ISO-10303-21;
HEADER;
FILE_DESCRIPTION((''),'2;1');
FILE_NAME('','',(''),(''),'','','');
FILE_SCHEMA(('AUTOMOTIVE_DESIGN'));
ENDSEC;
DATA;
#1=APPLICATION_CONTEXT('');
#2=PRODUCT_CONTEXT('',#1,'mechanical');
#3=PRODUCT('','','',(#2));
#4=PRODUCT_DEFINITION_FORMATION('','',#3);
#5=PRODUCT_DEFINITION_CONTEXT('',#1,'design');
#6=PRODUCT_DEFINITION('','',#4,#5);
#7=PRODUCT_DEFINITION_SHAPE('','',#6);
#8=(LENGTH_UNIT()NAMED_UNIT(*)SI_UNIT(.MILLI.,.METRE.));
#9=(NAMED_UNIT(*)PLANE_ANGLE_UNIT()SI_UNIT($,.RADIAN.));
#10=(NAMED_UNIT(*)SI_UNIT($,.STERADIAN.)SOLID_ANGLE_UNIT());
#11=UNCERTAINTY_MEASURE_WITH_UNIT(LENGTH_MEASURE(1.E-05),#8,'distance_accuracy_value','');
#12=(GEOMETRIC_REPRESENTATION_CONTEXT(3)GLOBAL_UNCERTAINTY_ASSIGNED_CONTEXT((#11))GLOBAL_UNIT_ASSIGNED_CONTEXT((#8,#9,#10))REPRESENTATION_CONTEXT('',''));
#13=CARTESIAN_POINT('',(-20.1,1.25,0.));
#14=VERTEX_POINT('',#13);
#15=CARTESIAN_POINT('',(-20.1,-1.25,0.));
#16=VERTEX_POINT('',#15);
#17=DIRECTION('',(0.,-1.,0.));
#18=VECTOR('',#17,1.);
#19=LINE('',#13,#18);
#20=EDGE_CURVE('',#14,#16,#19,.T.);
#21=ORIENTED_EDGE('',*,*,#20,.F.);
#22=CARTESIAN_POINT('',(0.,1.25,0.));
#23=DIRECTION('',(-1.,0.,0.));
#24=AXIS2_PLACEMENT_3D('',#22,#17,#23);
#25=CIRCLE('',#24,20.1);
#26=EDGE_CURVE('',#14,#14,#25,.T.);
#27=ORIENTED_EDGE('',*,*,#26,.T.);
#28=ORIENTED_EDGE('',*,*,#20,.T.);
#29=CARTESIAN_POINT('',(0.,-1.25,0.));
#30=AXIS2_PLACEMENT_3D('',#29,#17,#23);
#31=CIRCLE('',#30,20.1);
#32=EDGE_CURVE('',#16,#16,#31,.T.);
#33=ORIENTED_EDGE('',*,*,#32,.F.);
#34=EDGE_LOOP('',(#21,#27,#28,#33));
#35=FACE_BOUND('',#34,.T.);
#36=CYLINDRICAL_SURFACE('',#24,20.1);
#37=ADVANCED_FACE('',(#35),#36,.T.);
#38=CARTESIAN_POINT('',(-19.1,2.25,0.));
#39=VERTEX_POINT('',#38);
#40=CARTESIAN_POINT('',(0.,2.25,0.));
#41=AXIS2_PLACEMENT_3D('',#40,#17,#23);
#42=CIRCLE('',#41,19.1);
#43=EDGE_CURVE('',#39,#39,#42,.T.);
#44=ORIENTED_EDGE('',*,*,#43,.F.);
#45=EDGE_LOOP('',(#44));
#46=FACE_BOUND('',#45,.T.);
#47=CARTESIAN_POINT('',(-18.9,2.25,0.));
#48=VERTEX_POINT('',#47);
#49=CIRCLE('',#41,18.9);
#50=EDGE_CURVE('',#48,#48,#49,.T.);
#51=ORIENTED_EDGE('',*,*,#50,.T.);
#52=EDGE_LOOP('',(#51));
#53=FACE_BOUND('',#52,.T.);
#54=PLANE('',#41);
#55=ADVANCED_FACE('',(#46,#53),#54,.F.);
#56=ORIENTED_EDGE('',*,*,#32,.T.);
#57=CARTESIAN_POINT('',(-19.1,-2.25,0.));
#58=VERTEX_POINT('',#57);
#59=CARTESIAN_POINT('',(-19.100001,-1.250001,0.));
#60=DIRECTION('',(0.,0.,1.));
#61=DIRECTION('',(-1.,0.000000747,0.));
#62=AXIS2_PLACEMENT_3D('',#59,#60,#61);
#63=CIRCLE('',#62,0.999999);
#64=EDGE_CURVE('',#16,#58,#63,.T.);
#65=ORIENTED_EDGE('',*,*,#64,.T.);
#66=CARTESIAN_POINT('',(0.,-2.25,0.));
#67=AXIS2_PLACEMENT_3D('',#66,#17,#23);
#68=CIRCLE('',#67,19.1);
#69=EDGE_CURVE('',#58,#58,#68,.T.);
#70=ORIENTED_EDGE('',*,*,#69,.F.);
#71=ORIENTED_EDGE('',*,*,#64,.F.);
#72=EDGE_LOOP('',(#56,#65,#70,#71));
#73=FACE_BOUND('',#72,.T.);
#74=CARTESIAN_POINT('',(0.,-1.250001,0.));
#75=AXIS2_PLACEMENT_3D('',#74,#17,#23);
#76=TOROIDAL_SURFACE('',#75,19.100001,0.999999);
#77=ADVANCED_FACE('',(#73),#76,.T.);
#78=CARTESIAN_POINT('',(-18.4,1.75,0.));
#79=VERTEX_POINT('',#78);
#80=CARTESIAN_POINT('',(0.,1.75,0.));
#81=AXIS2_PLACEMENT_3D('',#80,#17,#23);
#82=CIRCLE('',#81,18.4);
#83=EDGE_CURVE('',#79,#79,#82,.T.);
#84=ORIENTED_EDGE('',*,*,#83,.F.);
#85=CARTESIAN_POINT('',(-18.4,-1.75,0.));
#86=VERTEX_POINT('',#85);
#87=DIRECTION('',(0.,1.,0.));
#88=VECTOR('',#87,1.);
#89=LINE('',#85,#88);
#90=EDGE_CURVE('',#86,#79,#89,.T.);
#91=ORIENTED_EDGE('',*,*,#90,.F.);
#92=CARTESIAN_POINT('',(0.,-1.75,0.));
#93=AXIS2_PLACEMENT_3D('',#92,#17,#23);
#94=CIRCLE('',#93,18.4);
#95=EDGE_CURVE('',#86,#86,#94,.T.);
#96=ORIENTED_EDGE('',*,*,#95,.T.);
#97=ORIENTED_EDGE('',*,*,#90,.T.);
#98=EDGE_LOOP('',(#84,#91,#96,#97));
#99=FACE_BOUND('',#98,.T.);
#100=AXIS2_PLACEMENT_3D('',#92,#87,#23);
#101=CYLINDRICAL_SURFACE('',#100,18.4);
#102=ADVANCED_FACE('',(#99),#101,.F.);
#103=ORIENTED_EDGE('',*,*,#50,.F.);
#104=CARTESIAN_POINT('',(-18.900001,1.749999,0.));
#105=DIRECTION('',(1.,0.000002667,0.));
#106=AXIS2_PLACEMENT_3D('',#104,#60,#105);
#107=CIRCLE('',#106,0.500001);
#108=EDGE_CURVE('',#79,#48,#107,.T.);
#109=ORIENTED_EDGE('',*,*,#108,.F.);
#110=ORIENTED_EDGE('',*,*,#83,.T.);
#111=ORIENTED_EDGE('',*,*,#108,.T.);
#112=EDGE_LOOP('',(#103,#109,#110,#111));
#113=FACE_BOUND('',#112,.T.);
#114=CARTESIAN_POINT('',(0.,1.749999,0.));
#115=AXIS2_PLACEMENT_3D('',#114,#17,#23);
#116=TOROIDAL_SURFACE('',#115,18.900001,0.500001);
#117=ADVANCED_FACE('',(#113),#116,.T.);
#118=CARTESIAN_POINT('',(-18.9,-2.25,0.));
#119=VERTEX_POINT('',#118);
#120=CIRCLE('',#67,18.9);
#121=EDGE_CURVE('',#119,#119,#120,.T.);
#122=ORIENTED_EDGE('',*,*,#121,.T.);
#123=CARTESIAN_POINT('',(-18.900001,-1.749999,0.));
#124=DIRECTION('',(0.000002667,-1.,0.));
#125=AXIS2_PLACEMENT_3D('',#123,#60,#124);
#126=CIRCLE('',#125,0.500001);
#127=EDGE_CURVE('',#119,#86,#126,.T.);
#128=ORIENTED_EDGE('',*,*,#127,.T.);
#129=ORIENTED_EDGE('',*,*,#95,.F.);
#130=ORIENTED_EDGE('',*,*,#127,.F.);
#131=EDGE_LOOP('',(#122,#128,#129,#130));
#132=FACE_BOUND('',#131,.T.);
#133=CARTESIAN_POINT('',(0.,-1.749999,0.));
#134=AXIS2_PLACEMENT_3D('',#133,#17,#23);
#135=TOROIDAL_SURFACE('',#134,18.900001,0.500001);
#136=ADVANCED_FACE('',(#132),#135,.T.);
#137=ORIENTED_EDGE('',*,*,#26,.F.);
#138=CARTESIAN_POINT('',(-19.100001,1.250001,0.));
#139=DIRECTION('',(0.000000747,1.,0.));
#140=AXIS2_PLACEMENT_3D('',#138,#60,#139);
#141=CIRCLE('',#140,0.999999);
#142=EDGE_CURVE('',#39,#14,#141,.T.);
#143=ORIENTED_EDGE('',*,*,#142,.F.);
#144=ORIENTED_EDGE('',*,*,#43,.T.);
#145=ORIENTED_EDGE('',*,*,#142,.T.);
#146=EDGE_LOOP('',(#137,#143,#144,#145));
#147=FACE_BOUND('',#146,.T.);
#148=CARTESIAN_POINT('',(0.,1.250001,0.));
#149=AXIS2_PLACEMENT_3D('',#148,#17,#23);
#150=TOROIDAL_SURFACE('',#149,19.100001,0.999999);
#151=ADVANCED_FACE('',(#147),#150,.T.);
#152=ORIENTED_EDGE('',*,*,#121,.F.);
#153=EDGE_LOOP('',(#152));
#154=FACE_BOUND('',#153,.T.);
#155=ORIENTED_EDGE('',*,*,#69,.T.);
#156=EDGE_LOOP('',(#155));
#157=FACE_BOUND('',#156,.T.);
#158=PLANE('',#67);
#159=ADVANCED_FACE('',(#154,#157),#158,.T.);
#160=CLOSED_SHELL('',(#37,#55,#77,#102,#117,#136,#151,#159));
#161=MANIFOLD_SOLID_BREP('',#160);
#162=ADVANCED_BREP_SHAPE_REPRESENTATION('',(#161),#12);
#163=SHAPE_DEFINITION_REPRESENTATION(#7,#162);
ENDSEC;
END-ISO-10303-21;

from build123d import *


with BuildPart() as f1:
    # F0 (on Top) → F1 (revolve)
    with BuildSketch(Plane.XY):
        with BuildLine():
            Line((-20.1, 0), (-18.9, 0))
            Line((-18.9, 0), (-18.9, 2.25))
            Line((-18.9, 2.25), (-19.1, 2.25))
            ThreePointArc((-19.1, 2.25), (-19.807107, 1.957107), (-20.1, 1.25))
            Line((-20.1, 1.25), (-20.1, 0))
        make_face()
        with BuildLine():
            Line((-18.4, -1.75), (-18.4, 0))
            Line((-18.4, 0), (-18.9, 0))
            Line((-18.9, 0), (-18.9, -2.25))
            ThreePointArc((-18.9, -2.25), (-18.546447, -2.103553), (-18.4, -1.75))
        make_face()
        with BuildLine():
            Line((-18.9, 0), (-18.4, 0))
            Line((-18.4, 0), (-18.4, 1.75))
            ThreePointArc((-18.4, 1.75), (-18.546447, 2.103553), (-18.9, 2.25))
            Line((-18.9, 2.25), (-18.9, 0))
        make_face()
        with BuildLine():
            Line((-18.9, -2.25), (-18.9, 0))
            Line((-18.9, 0), (-20.1, 0))
            Line((-20.1, 0), (-20.1, -1.25))
            ThreePointArc((-20.1, -1.25), (-19.807107, -1.957107), (-19.1, -2.25))
            Line((-19.1, -2.25), (-18.9, -2.25))
        make_face()
    revolve(axis=Axis((0, -5.353777, 0), (0, -1, 0)))


solid = f1.part
